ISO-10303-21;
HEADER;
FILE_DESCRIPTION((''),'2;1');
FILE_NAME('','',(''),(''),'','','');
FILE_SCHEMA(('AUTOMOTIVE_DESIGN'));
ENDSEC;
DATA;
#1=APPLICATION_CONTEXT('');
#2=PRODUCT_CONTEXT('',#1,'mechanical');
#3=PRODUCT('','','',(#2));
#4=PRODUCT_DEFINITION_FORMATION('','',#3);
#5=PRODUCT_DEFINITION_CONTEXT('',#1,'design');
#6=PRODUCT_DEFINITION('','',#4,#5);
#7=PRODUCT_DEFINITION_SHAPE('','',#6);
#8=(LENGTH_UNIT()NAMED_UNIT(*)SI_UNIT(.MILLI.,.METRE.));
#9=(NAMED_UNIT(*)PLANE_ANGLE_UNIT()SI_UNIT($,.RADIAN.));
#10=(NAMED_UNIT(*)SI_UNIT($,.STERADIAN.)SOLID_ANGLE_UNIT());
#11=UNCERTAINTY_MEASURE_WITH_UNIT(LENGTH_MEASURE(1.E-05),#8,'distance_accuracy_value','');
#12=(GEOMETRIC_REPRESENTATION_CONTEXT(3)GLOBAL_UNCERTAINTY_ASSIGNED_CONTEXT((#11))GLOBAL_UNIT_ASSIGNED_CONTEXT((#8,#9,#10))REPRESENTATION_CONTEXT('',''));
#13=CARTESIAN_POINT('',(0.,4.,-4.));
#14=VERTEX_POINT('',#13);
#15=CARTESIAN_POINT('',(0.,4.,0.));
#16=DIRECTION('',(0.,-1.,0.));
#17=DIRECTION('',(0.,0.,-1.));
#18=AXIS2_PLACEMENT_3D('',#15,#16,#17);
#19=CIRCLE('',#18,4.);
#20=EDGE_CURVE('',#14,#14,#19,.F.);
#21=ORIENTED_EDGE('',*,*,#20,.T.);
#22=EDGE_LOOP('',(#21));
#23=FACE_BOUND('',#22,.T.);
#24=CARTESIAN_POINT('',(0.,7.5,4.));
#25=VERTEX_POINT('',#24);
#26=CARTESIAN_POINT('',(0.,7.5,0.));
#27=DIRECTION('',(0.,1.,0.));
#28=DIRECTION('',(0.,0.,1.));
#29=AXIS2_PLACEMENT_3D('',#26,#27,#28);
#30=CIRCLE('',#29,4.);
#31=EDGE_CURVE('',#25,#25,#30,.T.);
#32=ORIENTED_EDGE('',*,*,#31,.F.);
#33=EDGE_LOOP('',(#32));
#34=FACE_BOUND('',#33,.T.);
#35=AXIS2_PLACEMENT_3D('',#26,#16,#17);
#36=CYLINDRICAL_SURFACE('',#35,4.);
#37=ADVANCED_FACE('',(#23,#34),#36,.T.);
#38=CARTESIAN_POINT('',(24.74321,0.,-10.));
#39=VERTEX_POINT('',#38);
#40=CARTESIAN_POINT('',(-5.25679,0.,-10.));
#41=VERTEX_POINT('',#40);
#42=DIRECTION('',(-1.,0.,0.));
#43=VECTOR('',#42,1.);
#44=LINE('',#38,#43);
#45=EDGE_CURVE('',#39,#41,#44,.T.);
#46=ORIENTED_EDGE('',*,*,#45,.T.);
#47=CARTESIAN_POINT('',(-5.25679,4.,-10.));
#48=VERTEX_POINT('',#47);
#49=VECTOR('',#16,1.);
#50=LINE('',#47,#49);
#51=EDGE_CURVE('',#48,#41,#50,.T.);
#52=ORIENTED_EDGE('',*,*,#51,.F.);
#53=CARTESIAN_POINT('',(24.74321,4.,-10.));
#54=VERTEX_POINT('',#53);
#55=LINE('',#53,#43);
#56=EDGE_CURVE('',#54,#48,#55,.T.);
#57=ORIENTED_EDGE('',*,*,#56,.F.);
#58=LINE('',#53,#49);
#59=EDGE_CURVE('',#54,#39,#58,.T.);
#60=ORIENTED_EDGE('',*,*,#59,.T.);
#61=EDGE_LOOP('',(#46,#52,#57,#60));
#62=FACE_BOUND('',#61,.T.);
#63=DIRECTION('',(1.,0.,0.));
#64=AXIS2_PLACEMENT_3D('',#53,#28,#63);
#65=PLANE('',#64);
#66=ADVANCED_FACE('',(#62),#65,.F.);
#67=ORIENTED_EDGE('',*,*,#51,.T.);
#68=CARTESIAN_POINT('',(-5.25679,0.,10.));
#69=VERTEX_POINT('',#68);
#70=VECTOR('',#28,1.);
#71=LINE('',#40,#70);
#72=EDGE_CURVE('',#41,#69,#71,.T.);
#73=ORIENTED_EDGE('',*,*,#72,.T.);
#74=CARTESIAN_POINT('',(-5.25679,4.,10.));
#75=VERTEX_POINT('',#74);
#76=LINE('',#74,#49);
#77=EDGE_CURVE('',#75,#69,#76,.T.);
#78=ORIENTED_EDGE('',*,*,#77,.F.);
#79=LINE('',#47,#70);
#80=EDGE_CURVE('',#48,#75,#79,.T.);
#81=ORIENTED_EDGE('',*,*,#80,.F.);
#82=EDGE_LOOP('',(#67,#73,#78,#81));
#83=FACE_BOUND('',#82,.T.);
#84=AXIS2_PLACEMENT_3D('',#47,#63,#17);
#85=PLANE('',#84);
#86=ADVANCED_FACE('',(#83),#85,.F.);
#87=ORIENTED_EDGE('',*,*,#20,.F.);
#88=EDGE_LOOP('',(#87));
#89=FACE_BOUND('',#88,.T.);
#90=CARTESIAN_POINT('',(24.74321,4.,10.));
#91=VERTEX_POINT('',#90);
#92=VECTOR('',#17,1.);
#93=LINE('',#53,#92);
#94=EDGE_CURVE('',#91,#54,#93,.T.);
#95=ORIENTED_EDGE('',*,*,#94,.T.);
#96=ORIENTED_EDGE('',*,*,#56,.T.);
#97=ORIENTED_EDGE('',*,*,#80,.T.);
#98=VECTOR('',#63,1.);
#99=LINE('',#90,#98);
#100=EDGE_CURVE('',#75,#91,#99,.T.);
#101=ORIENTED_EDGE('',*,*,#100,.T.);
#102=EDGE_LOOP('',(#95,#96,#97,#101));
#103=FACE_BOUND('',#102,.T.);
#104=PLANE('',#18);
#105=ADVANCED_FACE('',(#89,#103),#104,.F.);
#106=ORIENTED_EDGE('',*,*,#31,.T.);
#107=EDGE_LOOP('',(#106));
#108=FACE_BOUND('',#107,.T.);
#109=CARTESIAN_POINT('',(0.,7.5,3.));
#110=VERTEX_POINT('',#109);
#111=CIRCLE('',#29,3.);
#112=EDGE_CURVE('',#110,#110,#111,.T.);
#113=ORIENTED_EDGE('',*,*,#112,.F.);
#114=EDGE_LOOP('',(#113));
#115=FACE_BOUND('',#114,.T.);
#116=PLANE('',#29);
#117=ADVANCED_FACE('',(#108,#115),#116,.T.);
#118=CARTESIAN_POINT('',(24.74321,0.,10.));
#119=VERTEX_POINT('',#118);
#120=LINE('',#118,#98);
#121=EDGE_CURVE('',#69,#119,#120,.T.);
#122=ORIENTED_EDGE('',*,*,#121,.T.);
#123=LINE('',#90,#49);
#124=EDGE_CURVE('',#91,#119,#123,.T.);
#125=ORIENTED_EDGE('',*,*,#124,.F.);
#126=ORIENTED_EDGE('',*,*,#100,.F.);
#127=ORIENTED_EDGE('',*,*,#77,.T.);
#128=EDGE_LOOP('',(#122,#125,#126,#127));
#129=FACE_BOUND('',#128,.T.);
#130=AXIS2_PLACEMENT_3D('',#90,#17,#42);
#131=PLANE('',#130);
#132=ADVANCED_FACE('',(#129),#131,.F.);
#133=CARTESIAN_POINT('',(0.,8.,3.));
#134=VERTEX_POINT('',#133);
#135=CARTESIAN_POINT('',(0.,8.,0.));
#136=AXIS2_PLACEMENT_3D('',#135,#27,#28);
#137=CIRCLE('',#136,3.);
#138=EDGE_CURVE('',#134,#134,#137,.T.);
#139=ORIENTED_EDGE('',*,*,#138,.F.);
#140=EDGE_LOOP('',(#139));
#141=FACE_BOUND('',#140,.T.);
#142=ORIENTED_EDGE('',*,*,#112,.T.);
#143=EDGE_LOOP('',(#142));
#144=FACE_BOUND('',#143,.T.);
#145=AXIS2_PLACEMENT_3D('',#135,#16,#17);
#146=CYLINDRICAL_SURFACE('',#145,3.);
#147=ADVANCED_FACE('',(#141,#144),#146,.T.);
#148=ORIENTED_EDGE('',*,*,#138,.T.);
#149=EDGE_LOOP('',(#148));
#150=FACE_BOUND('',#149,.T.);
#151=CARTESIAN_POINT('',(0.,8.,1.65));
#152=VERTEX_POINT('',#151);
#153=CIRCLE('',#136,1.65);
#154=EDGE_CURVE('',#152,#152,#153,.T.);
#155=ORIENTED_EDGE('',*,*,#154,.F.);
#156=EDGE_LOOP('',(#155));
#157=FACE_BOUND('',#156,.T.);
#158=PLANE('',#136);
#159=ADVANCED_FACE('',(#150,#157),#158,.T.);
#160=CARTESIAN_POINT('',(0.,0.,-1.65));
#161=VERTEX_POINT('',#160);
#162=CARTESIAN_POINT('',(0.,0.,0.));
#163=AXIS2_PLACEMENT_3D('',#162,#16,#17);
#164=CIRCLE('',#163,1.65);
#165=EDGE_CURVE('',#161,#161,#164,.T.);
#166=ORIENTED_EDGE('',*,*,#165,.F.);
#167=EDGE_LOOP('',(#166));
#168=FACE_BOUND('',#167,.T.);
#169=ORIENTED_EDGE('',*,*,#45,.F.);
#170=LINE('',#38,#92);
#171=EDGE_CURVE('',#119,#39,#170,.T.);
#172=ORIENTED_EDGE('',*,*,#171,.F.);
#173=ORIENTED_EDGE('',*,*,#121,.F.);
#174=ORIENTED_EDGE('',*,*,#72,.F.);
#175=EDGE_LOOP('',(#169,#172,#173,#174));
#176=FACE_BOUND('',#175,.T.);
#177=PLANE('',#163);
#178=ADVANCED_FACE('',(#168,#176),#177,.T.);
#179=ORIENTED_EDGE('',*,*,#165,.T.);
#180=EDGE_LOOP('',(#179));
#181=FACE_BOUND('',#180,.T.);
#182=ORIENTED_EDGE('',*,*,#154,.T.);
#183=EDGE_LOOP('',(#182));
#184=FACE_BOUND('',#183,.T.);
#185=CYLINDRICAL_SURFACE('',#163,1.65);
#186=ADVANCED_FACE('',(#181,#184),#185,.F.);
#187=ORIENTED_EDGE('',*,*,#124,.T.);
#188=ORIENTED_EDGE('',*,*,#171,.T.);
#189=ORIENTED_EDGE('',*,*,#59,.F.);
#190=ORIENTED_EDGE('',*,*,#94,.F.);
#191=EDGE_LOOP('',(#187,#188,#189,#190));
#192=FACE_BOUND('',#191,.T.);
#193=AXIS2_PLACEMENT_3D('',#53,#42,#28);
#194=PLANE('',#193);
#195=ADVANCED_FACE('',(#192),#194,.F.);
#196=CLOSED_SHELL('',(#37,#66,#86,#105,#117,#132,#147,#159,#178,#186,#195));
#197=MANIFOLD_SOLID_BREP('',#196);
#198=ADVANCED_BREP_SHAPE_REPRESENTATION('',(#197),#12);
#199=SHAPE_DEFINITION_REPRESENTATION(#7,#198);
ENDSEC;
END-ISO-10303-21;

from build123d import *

# Parameters (mm, degrees)
SKETCH1_W             = 30
SKETCH1_H             = 20
BOSS_EXTRUDE1_DEPTH   = 4
SKETCH2_R             = 4
BOSS_EXTRUDE2_DEPTH   = 3.5
M4X0_7_TAPPED_HOLE1_D = 3.3
SKETCH6_R             = 3
SKETCH6_R_2           = 1.65
BOSS_EXTRUDE3_DEPTH   = 0.5


with BuildPart() as part:
    # Sketch1 → Boss-Extrude1 (new body)
    with BuildSketch(Plane(origin=(0, 0, 0), x_dir=(1, 0, 0), z_dir=(0, 1, 0))):
        with Locations((9.74321034, 0)):
            Rectangle(SKETCH1_W, SKETCH1_H)
    extrude(amount=BOSS_EXTRUDE1_DEPTH)

    # Sketch2 → Boss-Extrude2 (add)
    with BuildSketch(Plane(origin=(0, 4, 0), x_dir=(1, 0, 0), z_dir=(0, 1, 0))):
        Circle(SKETCH2_R)
    extrude(amount=BOSS_EXTRUDE2_DEPTH)

    # M4x0.7 Tapped Hole1 (through all)
    with Locations(Plane(origin=(0, 0, 0), x_dir=(-1, 0, 0), z_dir=(0, -1, 0))):
        with Locations((0, 0)):
            Hole(M4X0_7_TAPPED_HOLE1_D / 2)

    # Sketch6 → Boss-Extrude3 (add)
    with BuildSketch(Plane(origin=(0, 7.5, 0), x_dir=(1, 0, 0), z_dir=(0, 1, 0))):
        Circle(SKETCH6_R)
        Circle(SKETCH6_R_2, mode=Mode.SUBTRACT)
    extrude(amount=BOSS_EXTRUDE3_DEPTH)


solid = part.part
